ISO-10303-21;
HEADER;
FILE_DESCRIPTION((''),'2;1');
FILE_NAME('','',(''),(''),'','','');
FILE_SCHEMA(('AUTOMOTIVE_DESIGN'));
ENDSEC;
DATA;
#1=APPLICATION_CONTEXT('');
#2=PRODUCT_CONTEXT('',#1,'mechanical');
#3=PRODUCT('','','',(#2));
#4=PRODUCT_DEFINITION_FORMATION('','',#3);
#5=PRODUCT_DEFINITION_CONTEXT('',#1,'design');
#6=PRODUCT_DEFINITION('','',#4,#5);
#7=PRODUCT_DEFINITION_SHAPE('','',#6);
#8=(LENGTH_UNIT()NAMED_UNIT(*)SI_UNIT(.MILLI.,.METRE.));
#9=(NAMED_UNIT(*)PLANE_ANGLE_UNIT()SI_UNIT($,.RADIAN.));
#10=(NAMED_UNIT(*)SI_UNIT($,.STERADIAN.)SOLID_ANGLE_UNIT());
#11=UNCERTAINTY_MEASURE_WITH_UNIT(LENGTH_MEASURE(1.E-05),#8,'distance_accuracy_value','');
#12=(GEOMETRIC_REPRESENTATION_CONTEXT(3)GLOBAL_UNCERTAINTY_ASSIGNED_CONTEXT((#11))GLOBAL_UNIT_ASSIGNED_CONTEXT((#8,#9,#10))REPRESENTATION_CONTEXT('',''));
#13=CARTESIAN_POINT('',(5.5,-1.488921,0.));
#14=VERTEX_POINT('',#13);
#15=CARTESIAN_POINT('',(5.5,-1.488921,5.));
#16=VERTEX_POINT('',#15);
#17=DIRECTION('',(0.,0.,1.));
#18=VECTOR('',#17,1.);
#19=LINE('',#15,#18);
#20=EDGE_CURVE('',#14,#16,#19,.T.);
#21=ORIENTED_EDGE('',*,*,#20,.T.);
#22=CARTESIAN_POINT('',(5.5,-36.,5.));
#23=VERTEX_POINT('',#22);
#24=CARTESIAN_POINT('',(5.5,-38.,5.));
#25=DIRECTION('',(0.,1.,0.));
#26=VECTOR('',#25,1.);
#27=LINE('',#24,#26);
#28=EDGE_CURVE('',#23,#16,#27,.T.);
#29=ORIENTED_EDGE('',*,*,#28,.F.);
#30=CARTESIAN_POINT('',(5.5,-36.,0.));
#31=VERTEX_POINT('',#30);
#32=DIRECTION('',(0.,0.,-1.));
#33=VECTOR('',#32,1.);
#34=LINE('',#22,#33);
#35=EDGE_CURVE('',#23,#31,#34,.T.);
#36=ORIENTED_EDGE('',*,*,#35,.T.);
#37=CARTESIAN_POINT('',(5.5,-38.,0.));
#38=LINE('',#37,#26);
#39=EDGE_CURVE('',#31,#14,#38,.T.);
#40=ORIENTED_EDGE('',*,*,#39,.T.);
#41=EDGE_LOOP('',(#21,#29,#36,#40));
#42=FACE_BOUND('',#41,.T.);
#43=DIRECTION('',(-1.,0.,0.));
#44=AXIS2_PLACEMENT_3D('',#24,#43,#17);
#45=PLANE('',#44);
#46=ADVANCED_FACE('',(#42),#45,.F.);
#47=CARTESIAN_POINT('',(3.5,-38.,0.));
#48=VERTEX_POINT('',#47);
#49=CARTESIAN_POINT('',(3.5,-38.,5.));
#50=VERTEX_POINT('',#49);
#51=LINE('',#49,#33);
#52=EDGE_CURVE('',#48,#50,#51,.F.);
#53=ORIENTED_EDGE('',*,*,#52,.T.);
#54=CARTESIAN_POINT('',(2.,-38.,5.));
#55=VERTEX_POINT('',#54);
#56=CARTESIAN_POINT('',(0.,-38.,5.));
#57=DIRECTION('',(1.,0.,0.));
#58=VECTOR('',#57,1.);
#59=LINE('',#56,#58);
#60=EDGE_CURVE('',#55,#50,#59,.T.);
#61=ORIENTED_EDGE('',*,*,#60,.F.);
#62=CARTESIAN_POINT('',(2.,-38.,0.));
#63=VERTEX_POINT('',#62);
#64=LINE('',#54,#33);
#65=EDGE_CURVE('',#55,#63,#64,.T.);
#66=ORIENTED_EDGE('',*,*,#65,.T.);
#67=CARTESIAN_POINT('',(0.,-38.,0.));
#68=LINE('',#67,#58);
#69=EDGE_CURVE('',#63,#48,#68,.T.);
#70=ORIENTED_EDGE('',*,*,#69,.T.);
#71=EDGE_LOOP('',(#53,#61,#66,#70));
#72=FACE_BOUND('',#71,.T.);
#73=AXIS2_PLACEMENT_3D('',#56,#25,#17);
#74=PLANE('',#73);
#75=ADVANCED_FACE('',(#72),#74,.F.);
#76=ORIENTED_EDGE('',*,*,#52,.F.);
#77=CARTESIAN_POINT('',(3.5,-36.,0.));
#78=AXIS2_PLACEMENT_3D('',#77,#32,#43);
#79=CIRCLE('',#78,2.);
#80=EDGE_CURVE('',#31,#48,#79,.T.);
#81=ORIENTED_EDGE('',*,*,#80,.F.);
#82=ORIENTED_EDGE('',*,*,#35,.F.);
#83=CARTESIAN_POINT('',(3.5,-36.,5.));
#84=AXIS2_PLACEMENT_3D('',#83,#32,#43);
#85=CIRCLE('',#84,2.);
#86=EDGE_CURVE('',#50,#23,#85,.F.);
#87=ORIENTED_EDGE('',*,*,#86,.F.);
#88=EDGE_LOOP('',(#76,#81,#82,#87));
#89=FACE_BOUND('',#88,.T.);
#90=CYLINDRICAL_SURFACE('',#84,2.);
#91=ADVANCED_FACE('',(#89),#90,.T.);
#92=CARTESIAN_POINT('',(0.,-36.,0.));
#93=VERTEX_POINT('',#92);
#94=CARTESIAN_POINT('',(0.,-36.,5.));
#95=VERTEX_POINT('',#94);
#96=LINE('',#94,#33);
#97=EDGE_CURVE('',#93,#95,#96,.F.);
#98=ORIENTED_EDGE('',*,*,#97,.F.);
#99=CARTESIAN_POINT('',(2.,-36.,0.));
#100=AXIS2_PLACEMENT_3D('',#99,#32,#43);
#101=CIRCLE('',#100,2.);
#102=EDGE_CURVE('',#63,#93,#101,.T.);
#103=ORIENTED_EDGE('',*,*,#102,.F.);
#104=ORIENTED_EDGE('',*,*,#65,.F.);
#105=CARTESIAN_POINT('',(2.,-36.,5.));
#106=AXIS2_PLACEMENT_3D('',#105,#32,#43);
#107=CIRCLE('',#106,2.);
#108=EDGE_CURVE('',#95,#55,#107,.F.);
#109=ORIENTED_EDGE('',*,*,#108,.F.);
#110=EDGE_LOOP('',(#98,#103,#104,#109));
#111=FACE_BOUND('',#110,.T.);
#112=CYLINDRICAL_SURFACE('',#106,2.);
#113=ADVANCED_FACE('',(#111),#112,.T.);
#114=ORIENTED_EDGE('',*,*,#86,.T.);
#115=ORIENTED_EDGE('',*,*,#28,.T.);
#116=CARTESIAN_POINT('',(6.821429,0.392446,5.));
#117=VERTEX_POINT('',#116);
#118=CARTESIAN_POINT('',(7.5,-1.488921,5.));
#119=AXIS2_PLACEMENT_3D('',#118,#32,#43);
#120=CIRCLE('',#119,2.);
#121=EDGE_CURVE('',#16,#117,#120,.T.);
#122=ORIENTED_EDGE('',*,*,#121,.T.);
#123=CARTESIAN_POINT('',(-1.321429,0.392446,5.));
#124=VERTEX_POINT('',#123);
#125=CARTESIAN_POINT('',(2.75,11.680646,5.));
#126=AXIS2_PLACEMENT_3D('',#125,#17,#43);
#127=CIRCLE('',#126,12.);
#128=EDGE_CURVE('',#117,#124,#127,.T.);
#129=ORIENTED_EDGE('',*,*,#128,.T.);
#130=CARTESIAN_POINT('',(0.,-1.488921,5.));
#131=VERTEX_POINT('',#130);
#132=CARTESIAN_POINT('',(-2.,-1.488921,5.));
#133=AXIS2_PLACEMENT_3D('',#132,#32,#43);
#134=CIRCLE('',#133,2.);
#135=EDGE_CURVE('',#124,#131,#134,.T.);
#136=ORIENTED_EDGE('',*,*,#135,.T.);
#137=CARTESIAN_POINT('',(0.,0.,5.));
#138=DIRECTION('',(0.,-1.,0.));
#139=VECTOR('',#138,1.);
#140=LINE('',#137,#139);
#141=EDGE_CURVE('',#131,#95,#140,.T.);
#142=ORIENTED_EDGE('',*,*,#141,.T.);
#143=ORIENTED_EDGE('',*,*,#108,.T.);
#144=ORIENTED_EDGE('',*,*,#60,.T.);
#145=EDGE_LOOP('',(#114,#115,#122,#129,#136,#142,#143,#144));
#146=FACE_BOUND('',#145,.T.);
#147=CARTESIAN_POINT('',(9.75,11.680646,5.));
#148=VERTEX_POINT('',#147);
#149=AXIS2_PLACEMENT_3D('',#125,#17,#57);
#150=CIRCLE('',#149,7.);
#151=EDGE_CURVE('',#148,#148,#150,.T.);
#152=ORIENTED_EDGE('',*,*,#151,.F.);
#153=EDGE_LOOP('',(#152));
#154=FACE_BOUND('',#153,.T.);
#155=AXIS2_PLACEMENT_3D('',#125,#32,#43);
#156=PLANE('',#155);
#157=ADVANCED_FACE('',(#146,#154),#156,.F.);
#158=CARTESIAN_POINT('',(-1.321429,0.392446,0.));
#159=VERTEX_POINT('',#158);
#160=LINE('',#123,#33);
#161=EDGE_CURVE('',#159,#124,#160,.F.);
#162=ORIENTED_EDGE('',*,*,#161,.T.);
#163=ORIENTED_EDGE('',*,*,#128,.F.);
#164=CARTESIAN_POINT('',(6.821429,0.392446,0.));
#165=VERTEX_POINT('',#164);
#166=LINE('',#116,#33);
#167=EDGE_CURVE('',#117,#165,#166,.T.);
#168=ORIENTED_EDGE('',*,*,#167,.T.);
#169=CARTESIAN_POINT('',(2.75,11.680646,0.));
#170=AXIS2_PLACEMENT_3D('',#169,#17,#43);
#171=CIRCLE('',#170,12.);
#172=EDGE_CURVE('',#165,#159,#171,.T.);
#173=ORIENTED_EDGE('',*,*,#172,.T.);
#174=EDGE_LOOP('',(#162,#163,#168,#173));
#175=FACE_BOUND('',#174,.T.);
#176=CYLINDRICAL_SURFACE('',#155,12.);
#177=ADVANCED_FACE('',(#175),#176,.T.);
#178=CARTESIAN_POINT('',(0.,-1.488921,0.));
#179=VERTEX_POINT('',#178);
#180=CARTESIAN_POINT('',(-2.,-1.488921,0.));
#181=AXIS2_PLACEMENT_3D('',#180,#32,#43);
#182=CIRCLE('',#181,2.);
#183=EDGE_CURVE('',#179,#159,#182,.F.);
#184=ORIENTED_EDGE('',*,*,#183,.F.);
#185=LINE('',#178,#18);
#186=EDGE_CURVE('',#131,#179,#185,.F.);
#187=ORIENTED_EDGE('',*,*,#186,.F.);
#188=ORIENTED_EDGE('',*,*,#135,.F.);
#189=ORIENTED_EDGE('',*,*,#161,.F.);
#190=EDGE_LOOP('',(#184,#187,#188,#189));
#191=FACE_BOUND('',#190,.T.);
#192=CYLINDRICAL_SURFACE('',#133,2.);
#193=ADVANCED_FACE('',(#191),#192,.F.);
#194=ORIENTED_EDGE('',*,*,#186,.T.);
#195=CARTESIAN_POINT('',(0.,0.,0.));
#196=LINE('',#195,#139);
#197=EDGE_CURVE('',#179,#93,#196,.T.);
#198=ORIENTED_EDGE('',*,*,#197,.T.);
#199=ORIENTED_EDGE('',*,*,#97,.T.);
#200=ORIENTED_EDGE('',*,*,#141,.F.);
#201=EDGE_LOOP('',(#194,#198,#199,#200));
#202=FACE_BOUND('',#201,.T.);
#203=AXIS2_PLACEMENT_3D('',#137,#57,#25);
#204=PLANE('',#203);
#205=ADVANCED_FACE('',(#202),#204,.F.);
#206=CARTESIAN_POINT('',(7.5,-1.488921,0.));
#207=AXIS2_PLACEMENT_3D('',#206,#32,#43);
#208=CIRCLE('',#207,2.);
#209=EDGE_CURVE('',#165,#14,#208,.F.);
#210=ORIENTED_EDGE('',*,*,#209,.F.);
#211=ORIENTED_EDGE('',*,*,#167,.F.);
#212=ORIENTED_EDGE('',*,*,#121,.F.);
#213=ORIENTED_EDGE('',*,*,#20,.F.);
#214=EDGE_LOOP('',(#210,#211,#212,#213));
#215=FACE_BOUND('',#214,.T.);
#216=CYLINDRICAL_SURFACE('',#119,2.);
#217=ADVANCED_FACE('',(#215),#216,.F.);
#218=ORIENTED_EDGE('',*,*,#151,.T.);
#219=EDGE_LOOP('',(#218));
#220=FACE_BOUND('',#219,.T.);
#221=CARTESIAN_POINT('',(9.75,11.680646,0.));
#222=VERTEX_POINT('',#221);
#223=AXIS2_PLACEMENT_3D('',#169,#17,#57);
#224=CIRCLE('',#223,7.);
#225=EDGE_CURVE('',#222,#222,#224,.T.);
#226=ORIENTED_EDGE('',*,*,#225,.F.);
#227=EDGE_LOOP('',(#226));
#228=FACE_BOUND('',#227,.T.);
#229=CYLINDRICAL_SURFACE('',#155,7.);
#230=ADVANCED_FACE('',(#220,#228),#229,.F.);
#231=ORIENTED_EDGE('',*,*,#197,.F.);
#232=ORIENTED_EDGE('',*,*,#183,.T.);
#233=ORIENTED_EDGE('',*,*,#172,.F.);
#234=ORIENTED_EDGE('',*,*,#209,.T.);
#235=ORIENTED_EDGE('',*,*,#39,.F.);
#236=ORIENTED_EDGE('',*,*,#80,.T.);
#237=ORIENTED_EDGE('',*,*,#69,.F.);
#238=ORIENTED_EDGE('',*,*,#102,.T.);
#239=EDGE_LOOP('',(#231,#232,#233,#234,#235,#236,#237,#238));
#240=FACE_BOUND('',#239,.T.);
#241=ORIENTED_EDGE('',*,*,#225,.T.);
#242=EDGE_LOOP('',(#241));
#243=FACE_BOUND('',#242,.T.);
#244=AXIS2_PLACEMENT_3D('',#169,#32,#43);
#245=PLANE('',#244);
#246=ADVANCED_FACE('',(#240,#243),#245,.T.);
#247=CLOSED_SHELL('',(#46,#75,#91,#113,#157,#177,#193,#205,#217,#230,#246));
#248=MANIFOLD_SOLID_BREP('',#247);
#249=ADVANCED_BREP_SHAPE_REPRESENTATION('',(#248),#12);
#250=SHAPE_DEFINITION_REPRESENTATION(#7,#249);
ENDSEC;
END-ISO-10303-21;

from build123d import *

# Parameters (mm, degrees)
SKETCH1_R           = 7
BOSS_EXTRUDE1_DEPTH = 5
FILLET1_R           = 2


with BuildPart() as part:
    # Sketch1 → Boss-Extrude1 (new body)
    with BuildSketch(Plane.XY):
        with BuildLine():
            Line((0, 0), (0, -38))
            Line((0, -38), (5.5, -38))
            Line((5.5, -38), (5.5, 0))
            ThreePointArc((5.5, 0), (2.75, 23.680646386), (0, 0))
        make_face()
        with Locations((2.75, 11.680646386)):
            Circle(SKETCH1_R, mode=Mode.SUBTRACT)
    extrude(amount=BOSS_EXTRUDE1_DEPTH)

    # Fillet1
    fillet1_edges = [part.edges().sort_by_distance(p)[0] for p in [
        (5.5, 0, 2.5),
        (5.5, -38, 2.5),
        (0, -38, 2.5),
        (0, 0, 2.5),
    ]]
    fillet(fillet1_edges, radius=FILLET1_R)


solid = part.part
